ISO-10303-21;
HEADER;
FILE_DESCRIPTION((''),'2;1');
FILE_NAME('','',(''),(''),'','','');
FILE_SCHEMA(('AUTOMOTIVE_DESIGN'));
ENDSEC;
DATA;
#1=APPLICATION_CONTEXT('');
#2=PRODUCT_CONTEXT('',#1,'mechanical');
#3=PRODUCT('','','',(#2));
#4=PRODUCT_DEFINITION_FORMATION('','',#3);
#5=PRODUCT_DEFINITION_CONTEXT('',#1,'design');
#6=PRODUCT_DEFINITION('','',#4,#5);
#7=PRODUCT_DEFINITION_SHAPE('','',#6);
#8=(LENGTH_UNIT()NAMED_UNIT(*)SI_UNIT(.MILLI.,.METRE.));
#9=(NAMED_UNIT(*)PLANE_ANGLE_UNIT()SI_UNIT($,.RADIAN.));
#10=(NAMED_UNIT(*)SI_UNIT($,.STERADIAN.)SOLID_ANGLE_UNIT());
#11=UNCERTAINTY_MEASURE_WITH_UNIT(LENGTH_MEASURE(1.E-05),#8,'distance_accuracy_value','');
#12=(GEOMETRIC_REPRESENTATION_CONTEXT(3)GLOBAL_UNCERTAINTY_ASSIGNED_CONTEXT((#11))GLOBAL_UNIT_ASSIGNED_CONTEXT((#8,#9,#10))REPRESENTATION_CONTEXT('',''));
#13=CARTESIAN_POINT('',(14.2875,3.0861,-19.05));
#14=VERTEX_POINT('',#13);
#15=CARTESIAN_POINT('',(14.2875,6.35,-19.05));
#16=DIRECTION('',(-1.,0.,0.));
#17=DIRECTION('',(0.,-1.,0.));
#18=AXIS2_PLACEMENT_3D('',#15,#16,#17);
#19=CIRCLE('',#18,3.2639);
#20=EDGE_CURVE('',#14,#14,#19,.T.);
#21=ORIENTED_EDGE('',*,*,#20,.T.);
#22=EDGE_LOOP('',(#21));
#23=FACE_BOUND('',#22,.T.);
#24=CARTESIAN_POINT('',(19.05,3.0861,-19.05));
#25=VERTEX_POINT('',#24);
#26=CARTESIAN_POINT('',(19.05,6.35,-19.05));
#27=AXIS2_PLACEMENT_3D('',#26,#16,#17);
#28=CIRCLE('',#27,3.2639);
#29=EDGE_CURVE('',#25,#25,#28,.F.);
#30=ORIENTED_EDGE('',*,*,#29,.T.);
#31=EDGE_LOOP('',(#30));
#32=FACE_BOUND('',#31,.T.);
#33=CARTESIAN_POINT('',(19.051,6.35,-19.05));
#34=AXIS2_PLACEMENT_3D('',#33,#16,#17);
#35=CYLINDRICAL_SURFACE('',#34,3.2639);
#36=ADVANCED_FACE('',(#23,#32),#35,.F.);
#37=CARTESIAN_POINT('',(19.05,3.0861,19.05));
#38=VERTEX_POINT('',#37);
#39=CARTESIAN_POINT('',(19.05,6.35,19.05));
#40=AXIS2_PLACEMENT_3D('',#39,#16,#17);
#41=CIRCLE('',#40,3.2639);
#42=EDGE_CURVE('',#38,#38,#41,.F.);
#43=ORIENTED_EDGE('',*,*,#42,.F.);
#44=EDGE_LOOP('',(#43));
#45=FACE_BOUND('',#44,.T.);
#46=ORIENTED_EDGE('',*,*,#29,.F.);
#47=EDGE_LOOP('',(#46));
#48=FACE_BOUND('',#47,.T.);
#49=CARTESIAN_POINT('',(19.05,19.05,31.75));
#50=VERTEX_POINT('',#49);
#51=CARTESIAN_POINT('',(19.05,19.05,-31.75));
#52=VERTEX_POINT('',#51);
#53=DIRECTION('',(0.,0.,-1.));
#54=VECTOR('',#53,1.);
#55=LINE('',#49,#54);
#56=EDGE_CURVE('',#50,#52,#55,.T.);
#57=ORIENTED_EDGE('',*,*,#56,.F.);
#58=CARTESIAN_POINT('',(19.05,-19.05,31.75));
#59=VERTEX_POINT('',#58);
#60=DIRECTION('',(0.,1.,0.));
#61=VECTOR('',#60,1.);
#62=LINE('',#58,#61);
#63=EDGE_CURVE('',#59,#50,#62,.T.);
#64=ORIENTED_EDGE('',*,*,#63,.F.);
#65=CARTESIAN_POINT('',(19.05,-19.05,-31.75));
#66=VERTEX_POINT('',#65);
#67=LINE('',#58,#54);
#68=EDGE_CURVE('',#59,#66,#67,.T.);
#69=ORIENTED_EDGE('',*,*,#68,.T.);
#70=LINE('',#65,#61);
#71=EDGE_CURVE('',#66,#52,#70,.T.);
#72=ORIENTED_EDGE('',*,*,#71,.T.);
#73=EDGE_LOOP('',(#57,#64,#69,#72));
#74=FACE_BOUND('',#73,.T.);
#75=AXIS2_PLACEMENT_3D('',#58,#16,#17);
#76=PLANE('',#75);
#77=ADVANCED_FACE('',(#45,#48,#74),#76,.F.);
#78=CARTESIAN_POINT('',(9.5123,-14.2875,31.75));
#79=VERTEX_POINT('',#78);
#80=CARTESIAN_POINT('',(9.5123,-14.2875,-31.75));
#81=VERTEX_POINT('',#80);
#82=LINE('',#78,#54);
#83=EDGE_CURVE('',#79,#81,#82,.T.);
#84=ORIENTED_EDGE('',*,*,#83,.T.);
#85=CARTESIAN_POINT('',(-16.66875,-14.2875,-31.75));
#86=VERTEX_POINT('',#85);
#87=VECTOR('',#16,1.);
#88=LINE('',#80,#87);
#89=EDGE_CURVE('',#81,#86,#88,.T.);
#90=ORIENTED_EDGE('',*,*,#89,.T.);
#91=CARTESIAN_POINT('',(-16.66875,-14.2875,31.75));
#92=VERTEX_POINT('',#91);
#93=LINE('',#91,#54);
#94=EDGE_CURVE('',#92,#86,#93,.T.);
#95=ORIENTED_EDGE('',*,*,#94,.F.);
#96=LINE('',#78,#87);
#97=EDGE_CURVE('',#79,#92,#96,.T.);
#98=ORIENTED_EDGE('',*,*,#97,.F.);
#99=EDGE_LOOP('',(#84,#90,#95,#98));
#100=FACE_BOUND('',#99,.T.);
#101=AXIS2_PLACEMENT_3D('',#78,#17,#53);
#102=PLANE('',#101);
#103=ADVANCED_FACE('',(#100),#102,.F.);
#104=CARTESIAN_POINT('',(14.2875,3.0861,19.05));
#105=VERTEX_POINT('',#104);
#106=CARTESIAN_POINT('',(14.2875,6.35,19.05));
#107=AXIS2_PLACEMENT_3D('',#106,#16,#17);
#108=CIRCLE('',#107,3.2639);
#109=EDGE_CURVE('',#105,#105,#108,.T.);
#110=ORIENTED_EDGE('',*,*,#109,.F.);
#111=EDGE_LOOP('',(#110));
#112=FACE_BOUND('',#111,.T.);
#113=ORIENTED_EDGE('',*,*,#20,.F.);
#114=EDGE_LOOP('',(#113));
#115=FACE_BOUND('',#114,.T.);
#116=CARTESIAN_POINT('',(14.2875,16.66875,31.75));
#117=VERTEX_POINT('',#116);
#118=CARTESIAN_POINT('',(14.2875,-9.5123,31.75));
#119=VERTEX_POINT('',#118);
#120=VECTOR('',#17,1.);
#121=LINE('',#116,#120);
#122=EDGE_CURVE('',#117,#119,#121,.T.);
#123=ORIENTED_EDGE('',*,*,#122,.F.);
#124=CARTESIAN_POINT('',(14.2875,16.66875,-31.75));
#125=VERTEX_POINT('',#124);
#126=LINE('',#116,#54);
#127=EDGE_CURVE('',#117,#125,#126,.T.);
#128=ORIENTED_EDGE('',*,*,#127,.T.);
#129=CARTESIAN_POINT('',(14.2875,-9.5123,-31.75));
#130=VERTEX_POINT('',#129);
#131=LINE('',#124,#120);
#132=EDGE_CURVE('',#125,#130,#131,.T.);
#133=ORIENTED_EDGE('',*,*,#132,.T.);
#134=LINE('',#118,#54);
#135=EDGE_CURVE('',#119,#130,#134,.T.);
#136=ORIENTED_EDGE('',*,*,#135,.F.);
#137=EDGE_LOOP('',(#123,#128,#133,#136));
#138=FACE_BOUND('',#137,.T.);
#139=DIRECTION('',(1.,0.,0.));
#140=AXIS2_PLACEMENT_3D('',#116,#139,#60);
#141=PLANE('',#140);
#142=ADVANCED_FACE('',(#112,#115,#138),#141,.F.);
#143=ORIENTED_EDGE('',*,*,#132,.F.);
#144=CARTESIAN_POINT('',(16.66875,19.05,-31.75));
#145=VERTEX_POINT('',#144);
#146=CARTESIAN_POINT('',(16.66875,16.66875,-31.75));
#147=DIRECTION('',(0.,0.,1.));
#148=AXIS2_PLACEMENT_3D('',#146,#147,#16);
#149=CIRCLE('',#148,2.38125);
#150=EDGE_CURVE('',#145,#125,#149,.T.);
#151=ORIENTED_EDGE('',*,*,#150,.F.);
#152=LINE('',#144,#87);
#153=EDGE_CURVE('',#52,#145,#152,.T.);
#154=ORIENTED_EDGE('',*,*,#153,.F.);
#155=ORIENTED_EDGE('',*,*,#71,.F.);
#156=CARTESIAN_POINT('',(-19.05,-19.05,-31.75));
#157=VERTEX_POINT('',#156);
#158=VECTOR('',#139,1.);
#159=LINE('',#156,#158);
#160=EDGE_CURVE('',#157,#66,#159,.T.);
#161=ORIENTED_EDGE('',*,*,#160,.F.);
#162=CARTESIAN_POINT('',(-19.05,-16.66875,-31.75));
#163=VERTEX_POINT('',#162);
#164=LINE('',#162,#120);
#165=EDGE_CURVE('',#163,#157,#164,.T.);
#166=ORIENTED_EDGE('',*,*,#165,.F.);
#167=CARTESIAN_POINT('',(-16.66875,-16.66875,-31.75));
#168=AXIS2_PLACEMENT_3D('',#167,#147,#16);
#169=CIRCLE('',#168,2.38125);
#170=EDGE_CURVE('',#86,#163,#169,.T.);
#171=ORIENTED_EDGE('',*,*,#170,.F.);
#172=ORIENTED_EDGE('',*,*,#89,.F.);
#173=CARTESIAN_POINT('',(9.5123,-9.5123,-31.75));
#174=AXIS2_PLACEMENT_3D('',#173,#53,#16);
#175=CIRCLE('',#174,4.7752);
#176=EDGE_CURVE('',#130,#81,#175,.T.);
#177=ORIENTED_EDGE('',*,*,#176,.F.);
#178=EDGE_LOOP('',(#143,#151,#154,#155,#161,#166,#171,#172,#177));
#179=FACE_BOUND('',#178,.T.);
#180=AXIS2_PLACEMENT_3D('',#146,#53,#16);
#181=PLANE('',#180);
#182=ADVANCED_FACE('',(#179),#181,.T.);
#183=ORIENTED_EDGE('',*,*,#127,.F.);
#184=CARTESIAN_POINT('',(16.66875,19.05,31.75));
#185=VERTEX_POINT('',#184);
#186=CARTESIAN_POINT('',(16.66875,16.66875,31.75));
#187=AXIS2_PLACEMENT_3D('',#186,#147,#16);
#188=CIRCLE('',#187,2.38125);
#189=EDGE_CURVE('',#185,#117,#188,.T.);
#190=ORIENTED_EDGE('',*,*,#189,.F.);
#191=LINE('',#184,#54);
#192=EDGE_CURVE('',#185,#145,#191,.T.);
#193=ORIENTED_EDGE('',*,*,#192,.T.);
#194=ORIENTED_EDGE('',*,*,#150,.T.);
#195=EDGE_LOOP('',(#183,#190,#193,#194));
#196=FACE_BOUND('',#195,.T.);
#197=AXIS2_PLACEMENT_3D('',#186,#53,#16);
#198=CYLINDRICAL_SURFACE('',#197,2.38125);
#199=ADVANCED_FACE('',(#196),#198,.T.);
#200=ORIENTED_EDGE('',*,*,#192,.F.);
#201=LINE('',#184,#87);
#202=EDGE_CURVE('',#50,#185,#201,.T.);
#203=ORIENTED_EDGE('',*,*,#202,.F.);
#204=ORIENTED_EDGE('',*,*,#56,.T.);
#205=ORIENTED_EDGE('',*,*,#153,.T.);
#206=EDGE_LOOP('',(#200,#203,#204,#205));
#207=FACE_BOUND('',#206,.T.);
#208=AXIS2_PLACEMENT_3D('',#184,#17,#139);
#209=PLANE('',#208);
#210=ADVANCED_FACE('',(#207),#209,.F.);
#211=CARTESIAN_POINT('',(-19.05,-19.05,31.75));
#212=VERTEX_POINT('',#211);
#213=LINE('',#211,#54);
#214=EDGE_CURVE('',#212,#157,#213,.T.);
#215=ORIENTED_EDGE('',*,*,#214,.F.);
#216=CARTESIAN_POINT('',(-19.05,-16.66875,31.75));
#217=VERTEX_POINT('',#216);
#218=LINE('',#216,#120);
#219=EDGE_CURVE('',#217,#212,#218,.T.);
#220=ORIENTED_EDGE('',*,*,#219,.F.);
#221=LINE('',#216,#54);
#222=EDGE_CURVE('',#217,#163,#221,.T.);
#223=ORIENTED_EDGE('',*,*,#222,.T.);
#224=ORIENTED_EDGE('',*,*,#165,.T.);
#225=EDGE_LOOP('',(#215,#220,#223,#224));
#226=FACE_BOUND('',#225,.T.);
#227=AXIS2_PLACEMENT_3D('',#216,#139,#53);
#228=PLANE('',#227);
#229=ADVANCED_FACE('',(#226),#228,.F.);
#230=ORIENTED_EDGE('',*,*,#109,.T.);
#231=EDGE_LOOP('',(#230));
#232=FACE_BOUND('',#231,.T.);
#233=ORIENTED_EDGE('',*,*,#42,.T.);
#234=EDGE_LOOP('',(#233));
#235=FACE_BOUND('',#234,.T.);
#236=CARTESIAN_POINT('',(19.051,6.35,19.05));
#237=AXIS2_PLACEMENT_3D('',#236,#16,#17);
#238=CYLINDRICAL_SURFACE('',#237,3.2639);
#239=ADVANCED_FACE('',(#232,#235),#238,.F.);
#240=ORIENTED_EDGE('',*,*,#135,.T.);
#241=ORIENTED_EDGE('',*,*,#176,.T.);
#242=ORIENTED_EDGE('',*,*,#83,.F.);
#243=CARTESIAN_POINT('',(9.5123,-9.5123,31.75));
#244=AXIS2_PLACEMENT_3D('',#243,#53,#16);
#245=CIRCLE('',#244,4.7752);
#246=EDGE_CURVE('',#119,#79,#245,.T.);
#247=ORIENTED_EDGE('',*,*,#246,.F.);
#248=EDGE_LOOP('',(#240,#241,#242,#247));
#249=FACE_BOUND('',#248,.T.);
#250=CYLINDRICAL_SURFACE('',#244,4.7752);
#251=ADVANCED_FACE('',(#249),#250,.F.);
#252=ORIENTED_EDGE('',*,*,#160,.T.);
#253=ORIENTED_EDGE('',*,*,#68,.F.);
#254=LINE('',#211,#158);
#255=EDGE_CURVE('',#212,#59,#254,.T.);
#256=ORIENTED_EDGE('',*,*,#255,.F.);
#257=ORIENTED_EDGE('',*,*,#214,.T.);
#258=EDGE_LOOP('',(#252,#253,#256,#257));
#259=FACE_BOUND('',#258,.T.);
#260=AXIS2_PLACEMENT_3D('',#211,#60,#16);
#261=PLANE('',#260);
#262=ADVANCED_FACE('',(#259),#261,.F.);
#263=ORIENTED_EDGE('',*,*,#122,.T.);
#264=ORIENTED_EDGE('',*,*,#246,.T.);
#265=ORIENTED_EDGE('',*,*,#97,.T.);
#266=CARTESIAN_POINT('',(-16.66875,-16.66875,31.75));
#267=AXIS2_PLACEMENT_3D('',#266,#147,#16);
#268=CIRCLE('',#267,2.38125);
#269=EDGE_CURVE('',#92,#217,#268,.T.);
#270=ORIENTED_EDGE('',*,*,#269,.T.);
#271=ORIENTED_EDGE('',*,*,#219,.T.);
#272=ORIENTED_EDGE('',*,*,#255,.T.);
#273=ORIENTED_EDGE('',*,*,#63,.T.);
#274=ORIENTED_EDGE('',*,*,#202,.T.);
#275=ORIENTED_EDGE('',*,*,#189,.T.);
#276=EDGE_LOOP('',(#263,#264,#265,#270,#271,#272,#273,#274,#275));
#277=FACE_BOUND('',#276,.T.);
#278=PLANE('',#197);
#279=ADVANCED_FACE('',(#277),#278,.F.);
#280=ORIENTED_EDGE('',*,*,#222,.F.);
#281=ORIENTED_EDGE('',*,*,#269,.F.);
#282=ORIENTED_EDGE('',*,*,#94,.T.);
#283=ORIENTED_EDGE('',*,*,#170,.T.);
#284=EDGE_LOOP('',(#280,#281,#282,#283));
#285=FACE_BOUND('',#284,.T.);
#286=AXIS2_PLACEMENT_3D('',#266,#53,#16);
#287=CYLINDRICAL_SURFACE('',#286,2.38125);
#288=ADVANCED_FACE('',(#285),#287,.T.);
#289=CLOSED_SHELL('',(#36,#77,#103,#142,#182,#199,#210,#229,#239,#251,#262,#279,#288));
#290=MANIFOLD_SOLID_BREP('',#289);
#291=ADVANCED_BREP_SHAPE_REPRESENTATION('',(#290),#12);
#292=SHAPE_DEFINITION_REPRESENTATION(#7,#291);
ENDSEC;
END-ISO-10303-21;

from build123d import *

# Parameters (mm, degrees)
BOSS_EXTRUDE1_DEPTH = 31.75
CUT_EXTRUDE1_REACH  = 6.762
SKETCH5_R           = 3.2639


with BuildPart() as part:
    # Sketch2 → Boss-Extrude1 (new body, symmetric)
    with BuildSketch(Plane.XY):
        with BuildLine():
            Line((-19.05, -19.05), (19.05, -19.05))
            Line((19.05, -19.05), (19.05, 19.05))
            Line((19.05, 19.05), (16.66875, 19.05))
            ThreePointArc((16.66875, 19.05), (14.984951977, 18.352548023), (14.2875, 16.66875))
            Line((14.2875, 16.66875), (14.2875, -9.5123))
            ThreePointArc((14.2875, -9.5123), (12.888876302, -12.888876302), (9.5123, -14.2875))
            Line((9.5123, -14.2875), (-16.66875, -14.2875))
            ThreePointArc((-16.66875, -14.2875), (-18.352548023, -14.984951977), (-19.05, -16.66875))
            Line((-19.05, -16.66875), (-19.05, -19.05))
        make_face()
    extrude(amount=BOSS_EXTRUDE1_DEPTH, both=True)

    # Sketch5 → Cut-Extrude1 (cut, up to next)
    with BuildSketch(Plane.ZY.offset(-14.2875), mode=Mode.PRIVATE) as cut_extrude1_sk1:
        with Locations((-19.05, 6.35)):
            Circle(SKETCH5_R)
    cut_extrude1_tool1 = extrude(cut_extrude1_sk1.sketch, amount=-CUT_EXTRUDE1_REACH, mode=Mode.PRIVATE) & part.part
    add(cut_extrude1_tool1.solids().sort_by_distance((14.2875, 6.35, -19.05))[0], mode=Mode.SUBTRACT)
    # Sketch5 → Cut-Extrude1 (cut, up to next)
    with BuildSketch(Plane.ZY.offset(-14.2875), mode=Mode.PRIVATE) as cut_extrude1_sk2:
        with Locations((19.05, 6.35)):
            Circle(SKETCH5_R)
    cut_extrude1_tool2 = extrude(cut_extrude1_sk2.sketch, amount=-CUT_EXTRUDE1_REACH, mode=Mode.PRIVATE) & part.part
    add(cut_extrude1_tool2.solids().sort_by_distance((14.2875, 6.35, 19.05))[0], mode=Mode.SUBTRACT)


solid = part.part
